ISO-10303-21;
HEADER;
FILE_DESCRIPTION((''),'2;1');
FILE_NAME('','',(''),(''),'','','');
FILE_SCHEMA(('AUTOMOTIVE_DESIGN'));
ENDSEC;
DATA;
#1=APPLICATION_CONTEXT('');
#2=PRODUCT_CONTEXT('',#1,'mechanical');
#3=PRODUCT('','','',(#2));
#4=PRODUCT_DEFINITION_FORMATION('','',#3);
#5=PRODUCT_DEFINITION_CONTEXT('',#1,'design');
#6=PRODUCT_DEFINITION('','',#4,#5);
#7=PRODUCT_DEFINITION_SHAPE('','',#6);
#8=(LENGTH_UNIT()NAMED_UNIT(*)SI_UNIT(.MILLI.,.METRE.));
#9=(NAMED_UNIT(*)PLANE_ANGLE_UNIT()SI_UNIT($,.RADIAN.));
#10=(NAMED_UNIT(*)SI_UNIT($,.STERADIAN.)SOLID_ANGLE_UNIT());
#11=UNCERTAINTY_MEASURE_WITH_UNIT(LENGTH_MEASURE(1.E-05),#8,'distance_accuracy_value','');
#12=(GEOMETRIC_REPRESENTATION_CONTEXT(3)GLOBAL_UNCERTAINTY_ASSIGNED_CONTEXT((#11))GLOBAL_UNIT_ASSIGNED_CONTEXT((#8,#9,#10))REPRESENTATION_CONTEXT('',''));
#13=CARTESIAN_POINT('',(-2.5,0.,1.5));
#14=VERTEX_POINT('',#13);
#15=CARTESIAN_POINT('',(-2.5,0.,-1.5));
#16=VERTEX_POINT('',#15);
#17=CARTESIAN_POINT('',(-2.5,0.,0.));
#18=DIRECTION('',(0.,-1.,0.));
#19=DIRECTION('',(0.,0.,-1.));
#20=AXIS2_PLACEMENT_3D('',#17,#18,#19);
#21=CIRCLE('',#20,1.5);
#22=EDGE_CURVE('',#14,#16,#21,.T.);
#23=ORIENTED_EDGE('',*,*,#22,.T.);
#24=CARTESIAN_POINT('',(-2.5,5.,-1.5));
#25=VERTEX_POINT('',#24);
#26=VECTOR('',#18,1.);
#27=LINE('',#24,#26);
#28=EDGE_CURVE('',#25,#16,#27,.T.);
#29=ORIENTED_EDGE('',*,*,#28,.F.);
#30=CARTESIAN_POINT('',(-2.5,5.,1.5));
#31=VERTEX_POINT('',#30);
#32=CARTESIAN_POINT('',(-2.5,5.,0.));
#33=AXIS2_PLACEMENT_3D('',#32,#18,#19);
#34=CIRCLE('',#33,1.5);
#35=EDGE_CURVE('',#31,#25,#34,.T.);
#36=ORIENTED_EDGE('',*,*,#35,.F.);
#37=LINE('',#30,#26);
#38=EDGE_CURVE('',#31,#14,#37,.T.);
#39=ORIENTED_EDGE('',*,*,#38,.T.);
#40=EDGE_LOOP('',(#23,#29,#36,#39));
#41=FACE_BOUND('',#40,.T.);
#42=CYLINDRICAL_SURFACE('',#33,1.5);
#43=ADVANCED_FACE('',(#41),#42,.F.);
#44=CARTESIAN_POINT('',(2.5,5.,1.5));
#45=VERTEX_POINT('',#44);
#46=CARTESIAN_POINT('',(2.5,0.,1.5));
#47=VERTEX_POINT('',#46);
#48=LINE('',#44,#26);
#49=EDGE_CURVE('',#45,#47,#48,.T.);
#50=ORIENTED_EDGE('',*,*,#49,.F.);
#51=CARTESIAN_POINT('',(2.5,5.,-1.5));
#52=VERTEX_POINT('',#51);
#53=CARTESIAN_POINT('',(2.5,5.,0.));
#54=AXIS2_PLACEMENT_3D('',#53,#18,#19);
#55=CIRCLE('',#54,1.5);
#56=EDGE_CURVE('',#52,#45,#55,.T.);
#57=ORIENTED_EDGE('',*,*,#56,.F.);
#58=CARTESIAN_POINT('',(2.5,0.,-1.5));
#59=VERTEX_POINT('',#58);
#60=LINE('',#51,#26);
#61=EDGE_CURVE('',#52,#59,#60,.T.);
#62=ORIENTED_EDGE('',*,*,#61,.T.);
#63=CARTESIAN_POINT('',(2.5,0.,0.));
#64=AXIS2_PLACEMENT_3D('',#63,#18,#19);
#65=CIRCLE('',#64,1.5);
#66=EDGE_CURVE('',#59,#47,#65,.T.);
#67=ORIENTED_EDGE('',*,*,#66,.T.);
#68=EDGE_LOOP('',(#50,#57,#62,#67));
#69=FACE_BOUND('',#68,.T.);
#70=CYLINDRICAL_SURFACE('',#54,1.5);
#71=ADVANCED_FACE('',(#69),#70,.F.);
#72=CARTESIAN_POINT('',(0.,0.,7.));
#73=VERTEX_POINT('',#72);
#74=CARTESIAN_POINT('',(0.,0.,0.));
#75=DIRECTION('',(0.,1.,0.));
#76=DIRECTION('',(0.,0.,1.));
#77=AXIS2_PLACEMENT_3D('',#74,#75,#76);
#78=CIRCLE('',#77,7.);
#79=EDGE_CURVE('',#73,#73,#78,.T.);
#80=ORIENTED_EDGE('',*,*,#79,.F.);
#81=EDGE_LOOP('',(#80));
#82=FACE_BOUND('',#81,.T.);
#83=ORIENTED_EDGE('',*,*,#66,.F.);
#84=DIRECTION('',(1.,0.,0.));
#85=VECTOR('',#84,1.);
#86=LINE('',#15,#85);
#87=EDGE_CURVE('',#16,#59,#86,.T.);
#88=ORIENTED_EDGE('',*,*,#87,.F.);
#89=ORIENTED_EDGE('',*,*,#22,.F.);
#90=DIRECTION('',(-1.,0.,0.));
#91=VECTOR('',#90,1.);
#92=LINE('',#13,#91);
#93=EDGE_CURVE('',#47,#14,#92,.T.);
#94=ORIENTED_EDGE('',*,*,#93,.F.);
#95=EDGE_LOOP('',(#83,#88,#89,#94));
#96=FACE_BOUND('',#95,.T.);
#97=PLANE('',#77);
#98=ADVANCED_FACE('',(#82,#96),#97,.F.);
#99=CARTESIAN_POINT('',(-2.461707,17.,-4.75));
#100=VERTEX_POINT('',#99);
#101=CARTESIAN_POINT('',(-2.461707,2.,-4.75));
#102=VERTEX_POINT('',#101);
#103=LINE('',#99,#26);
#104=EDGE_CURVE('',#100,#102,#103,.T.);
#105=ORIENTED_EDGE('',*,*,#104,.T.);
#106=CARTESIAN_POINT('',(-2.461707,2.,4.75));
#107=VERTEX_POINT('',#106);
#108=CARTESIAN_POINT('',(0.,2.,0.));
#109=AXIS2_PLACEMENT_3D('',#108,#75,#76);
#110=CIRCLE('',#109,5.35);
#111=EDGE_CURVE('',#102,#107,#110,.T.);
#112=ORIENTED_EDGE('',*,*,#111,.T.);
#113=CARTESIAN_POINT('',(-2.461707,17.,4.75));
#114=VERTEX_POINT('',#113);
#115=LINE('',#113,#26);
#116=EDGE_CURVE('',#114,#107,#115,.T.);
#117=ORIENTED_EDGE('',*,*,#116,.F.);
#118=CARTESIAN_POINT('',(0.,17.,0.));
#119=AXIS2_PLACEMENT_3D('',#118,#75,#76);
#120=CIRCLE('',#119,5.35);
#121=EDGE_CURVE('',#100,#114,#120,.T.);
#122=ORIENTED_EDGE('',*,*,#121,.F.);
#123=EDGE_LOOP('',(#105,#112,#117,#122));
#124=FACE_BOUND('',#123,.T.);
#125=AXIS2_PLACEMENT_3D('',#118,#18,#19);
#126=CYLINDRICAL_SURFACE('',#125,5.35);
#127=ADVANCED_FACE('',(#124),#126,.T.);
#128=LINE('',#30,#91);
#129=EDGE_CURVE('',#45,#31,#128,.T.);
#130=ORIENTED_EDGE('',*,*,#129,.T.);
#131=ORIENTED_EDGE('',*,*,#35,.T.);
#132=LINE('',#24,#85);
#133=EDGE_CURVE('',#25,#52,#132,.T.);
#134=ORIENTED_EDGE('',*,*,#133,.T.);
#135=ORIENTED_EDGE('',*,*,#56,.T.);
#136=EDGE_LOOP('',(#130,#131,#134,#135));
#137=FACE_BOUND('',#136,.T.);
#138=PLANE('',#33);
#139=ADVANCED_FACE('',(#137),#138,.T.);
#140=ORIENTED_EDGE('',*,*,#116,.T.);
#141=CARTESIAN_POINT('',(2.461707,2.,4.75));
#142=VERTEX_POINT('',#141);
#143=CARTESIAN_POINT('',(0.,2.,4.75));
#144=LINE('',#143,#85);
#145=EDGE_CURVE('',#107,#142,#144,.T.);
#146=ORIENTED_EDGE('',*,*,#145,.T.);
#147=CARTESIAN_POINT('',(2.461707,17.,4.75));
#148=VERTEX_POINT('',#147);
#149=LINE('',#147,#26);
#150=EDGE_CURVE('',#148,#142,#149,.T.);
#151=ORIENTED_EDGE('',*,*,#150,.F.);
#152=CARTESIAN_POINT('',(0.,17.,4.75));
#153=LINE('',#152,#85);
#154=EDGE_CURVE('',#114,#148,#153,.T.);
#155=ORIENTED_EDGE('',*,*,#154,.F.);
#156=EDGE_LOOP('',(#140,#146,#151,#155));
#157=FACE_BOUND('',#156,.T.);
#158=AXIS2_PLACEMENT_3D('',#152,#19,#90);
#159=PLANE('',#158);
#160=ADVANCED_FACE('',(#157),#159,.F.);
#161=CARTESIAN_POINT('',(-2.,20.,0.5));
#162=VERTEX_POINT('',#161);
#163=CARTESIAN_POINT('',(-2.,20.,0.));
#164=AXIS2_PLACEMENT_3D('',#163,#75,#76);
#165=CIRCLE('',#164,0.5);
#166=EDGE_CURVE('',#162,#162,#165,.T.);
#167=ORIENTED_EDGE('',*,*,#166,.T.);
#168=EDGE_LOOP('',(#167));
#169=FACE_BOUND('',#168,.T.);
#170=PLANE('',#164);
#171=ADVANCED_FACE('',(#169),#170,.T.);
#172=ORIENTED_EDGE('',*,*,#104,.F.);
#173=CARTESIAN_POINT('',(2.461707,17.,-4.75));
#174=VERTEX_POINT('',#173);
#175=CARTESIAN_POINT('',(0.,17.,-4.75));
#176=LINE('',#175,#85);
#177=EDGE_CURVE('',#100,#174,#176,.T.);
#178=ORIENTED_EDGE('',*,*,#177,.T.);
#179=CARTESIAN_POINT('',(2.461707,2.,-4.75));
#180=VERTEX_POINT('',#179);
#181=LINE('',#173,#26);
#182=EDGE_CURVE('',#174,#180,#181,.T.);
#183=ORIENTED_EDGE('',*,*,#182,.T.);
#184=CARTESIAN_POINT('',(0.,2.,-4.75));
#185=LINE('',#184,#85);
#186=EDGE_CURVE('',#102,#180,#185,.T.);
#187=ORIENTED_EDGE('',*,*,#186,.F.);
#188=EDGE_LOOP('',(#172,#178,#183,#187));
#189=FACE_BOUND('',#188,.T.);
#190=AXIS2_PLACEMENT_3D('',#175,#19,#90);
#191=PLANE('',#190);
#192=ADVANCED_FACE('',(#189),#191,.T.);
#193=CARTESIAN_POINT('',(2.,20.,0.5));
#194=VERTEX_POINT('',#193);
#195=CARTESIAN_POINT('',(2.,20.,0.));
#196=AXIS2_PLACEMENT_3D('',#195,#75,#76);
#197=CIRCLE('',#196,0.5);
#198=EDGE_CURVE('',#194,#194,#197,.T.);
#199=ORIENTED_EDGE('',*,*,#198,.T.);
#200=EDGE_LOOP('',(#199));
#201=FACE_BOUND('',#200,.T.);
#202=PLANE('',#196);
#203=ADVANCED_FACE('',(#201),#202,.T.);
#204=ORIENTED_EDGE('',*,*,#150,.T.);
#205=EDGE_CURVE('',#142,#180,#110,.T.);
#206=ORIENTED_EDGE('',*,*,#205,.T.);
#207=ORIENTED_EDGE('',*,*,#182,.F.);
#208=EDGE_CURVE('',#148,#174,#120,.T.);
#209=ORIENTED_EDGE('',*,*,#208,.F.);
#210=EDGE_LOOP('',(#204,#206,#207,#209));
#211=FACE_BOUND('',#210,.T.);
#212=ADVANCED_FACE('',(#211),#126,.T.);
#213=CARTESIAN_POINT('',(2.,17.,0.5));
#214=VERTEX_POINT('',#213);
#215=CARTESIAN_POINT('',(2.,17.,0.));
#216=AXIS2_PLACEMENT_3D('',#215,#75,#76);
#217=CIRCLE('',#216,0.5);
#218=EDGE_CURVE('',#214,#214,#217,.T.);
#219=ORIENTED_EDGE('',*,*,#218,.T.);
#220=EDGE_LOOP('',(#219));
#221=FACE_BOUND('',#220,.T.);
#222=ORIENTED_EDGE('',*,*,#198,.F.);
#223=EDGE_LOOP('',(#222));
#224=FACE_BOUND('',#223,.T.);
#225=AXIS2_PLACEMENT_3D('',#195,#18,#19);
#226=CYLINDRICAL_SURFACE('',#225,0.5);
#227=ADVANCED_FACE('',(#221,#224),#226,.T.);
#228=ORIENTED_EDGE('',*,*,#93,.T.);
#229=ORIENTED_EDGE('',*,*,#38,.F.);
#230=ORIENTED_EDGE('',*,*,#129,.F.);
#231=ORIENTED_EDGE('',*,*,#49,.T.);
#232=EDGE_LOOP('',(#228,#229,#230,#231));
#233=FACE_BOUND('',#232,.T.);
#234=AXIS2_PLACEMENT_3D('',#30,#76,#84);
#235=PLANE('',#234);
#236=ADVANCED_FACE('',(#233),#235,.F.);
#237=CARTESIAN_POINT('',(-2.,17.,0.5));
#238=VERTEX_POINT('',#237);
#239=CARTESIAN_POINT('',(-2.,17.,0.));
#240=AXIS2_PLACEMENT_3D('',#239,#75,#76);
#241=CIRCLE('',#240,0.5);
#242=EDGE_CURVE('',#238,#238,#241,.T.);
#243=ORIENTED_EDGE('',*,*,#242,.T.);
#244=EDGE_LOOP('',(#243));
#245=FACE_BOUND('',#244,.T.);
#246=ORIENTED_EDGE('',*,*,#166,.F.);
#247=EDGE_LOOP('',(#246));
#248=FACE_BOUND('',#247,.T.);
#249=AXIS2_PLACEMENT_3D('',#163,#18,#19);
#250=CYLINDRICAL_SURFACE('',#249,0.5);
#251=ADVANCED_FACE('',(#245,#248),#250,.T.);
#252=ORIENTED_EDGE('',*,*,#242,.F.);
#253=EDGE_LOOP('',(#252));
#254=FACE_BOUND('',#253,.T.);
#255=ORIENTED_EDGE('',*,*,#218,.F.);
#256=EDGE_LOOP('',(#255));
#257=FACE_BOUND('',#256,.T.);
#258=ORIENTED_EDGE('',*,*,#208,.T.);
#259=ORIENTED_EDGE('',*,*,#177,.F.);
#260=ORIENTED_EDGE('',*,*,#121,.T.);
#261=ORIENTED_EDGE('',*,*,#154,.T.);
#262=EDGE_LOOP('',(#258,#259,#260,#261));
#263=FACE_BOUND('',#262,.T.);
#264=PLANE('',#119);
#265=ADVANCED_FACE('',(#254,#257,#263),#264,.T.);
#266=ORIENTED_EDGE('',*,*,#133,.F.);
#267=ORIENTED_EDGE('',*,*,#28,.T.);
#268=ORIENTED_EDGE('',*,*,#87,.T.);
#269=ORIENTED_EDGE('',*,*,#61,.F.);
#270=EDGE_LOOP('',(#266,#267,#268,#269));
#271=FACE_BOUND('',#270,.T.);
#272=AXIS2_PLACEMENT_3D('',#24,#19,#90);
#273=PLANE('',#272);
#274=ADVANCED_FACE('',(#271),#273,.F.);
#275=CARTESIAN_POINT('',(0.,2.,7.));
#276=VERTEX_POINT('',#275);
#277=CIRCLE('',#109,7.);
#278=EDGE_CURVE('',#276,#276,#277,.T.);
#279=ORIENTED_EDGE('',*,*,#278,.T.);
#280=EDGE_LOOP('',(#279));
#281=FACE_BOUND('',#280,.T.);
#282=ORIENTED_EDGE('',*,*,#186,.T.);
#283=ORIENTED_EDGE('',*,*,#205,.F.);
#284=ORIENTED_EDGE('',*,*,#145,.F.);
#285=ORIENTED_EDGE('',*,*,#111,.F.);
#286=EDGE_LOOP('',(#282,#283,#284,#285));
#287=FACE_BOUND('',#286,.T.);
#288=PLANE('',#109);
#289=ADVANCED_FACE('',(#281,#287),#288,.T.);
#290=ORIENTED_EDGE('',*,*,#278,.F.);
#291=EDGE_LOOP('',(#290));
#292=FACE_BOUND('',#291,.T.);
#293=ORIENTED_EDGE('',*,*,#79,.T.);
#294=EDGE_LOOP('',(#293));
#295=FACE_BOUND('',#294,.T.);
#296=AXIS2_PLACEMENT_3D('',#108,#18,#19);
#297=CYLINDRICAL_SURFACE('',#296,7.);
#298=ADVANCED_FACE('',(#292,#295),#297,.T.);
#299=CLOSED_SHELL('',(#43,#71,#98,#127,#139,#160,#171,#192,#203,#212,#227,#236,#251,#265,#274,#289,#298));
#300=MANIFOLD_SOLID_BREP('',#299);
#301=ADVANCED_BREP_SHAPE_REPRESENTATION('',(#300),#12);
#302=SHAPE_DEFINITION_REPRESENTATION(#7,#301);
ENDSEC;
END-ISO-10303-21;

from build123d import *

# Parameters (mm, degrees)
SKETCH_1_R          = 7
EXTRUDE_1_DEPTH     = 2
EXTRUDE_2_DEPTH     = 15
SKETCH_3_R          = 0.5
EXTRUDE_3_DEPTH     = 3
CUT_EXTRUDE_1_DEPTH = 5


with BuildPart() as part:
    # 草图1 → 凸台-拉伸1 (new body)
    with BuildSketch(Plane(origin=(0, 0, 0), x_dir=(1, 0, 0), z_dir=(0, 1, 0))):
        with Locations(Location((0, 0, 0), (0, 0, 270))):
            Circle(SKETCH_1_R)
    extrude(amount=EXTRUDE_1_DEPTH)

    # 草图2 → 凸台-拉伸2 (add)
    with BuildSketch(Plane(origin=(0, 2, 0), x_dir=(1, 0, 0), z_dir=(0, 1, 0))):
        with BuildLine():
            Line((2.461706725, 4.75), (-2.461706725, 4.75))
            ThreePointArc((-2.461706725, 4.75), (-5.35, 0), (-2.461706725, -4.75))
            Line((-2.461706725, -4.75), (2.461706725, -4.75))
            ThreePointArc((2.461706725, -4.75), (4.571248789, -2.779601502), (5.35, 0))
            ThreePointArc((5.35, 0), (4.571248789, 2.779601502), (2.461706725, 4.75))
        make_face()
    extrude(amount=EXTRUDE_2_DEPTH)

    # 草图3 → 凸台-拉伸3 (add)
    with BuildSketch(Plane(origin=(0, 17, 0), x_dir=(1, 0, 0), z_dir=(0, 1, 0))):
        with Locations(Location((-2, 0, 0), (0, 0, 270))):
            Circle(SKETCH_3_R)
        with Locations(Location((2, 0, 0), (0, 0, 270))):
            Circle(SKETCH_3_R)
    extrude(amount=EXTRUDE_3_DEPTH)

    # 草图4 → 切除-拉伸1 (cut)
    with BuildSketch(Plane.XZ):
        with BuildLine():
            Line((-2.5, 1.5), (2.5, 1.5))
            ThreePointArc((2.5, 1.5), (4, 0), (2.5, -1.5))
            Line((2.5, -1.5), (-2.5, -1.5))
            ThreePointArc((-2.5, -1.5), (-4, 0), (-2.5, 1.5))
        make_face()
    extrude(amount=-CUT_EXTRUDE_1_DEPTH, mode=Mode.SUBTRACT)


solid = part.part
